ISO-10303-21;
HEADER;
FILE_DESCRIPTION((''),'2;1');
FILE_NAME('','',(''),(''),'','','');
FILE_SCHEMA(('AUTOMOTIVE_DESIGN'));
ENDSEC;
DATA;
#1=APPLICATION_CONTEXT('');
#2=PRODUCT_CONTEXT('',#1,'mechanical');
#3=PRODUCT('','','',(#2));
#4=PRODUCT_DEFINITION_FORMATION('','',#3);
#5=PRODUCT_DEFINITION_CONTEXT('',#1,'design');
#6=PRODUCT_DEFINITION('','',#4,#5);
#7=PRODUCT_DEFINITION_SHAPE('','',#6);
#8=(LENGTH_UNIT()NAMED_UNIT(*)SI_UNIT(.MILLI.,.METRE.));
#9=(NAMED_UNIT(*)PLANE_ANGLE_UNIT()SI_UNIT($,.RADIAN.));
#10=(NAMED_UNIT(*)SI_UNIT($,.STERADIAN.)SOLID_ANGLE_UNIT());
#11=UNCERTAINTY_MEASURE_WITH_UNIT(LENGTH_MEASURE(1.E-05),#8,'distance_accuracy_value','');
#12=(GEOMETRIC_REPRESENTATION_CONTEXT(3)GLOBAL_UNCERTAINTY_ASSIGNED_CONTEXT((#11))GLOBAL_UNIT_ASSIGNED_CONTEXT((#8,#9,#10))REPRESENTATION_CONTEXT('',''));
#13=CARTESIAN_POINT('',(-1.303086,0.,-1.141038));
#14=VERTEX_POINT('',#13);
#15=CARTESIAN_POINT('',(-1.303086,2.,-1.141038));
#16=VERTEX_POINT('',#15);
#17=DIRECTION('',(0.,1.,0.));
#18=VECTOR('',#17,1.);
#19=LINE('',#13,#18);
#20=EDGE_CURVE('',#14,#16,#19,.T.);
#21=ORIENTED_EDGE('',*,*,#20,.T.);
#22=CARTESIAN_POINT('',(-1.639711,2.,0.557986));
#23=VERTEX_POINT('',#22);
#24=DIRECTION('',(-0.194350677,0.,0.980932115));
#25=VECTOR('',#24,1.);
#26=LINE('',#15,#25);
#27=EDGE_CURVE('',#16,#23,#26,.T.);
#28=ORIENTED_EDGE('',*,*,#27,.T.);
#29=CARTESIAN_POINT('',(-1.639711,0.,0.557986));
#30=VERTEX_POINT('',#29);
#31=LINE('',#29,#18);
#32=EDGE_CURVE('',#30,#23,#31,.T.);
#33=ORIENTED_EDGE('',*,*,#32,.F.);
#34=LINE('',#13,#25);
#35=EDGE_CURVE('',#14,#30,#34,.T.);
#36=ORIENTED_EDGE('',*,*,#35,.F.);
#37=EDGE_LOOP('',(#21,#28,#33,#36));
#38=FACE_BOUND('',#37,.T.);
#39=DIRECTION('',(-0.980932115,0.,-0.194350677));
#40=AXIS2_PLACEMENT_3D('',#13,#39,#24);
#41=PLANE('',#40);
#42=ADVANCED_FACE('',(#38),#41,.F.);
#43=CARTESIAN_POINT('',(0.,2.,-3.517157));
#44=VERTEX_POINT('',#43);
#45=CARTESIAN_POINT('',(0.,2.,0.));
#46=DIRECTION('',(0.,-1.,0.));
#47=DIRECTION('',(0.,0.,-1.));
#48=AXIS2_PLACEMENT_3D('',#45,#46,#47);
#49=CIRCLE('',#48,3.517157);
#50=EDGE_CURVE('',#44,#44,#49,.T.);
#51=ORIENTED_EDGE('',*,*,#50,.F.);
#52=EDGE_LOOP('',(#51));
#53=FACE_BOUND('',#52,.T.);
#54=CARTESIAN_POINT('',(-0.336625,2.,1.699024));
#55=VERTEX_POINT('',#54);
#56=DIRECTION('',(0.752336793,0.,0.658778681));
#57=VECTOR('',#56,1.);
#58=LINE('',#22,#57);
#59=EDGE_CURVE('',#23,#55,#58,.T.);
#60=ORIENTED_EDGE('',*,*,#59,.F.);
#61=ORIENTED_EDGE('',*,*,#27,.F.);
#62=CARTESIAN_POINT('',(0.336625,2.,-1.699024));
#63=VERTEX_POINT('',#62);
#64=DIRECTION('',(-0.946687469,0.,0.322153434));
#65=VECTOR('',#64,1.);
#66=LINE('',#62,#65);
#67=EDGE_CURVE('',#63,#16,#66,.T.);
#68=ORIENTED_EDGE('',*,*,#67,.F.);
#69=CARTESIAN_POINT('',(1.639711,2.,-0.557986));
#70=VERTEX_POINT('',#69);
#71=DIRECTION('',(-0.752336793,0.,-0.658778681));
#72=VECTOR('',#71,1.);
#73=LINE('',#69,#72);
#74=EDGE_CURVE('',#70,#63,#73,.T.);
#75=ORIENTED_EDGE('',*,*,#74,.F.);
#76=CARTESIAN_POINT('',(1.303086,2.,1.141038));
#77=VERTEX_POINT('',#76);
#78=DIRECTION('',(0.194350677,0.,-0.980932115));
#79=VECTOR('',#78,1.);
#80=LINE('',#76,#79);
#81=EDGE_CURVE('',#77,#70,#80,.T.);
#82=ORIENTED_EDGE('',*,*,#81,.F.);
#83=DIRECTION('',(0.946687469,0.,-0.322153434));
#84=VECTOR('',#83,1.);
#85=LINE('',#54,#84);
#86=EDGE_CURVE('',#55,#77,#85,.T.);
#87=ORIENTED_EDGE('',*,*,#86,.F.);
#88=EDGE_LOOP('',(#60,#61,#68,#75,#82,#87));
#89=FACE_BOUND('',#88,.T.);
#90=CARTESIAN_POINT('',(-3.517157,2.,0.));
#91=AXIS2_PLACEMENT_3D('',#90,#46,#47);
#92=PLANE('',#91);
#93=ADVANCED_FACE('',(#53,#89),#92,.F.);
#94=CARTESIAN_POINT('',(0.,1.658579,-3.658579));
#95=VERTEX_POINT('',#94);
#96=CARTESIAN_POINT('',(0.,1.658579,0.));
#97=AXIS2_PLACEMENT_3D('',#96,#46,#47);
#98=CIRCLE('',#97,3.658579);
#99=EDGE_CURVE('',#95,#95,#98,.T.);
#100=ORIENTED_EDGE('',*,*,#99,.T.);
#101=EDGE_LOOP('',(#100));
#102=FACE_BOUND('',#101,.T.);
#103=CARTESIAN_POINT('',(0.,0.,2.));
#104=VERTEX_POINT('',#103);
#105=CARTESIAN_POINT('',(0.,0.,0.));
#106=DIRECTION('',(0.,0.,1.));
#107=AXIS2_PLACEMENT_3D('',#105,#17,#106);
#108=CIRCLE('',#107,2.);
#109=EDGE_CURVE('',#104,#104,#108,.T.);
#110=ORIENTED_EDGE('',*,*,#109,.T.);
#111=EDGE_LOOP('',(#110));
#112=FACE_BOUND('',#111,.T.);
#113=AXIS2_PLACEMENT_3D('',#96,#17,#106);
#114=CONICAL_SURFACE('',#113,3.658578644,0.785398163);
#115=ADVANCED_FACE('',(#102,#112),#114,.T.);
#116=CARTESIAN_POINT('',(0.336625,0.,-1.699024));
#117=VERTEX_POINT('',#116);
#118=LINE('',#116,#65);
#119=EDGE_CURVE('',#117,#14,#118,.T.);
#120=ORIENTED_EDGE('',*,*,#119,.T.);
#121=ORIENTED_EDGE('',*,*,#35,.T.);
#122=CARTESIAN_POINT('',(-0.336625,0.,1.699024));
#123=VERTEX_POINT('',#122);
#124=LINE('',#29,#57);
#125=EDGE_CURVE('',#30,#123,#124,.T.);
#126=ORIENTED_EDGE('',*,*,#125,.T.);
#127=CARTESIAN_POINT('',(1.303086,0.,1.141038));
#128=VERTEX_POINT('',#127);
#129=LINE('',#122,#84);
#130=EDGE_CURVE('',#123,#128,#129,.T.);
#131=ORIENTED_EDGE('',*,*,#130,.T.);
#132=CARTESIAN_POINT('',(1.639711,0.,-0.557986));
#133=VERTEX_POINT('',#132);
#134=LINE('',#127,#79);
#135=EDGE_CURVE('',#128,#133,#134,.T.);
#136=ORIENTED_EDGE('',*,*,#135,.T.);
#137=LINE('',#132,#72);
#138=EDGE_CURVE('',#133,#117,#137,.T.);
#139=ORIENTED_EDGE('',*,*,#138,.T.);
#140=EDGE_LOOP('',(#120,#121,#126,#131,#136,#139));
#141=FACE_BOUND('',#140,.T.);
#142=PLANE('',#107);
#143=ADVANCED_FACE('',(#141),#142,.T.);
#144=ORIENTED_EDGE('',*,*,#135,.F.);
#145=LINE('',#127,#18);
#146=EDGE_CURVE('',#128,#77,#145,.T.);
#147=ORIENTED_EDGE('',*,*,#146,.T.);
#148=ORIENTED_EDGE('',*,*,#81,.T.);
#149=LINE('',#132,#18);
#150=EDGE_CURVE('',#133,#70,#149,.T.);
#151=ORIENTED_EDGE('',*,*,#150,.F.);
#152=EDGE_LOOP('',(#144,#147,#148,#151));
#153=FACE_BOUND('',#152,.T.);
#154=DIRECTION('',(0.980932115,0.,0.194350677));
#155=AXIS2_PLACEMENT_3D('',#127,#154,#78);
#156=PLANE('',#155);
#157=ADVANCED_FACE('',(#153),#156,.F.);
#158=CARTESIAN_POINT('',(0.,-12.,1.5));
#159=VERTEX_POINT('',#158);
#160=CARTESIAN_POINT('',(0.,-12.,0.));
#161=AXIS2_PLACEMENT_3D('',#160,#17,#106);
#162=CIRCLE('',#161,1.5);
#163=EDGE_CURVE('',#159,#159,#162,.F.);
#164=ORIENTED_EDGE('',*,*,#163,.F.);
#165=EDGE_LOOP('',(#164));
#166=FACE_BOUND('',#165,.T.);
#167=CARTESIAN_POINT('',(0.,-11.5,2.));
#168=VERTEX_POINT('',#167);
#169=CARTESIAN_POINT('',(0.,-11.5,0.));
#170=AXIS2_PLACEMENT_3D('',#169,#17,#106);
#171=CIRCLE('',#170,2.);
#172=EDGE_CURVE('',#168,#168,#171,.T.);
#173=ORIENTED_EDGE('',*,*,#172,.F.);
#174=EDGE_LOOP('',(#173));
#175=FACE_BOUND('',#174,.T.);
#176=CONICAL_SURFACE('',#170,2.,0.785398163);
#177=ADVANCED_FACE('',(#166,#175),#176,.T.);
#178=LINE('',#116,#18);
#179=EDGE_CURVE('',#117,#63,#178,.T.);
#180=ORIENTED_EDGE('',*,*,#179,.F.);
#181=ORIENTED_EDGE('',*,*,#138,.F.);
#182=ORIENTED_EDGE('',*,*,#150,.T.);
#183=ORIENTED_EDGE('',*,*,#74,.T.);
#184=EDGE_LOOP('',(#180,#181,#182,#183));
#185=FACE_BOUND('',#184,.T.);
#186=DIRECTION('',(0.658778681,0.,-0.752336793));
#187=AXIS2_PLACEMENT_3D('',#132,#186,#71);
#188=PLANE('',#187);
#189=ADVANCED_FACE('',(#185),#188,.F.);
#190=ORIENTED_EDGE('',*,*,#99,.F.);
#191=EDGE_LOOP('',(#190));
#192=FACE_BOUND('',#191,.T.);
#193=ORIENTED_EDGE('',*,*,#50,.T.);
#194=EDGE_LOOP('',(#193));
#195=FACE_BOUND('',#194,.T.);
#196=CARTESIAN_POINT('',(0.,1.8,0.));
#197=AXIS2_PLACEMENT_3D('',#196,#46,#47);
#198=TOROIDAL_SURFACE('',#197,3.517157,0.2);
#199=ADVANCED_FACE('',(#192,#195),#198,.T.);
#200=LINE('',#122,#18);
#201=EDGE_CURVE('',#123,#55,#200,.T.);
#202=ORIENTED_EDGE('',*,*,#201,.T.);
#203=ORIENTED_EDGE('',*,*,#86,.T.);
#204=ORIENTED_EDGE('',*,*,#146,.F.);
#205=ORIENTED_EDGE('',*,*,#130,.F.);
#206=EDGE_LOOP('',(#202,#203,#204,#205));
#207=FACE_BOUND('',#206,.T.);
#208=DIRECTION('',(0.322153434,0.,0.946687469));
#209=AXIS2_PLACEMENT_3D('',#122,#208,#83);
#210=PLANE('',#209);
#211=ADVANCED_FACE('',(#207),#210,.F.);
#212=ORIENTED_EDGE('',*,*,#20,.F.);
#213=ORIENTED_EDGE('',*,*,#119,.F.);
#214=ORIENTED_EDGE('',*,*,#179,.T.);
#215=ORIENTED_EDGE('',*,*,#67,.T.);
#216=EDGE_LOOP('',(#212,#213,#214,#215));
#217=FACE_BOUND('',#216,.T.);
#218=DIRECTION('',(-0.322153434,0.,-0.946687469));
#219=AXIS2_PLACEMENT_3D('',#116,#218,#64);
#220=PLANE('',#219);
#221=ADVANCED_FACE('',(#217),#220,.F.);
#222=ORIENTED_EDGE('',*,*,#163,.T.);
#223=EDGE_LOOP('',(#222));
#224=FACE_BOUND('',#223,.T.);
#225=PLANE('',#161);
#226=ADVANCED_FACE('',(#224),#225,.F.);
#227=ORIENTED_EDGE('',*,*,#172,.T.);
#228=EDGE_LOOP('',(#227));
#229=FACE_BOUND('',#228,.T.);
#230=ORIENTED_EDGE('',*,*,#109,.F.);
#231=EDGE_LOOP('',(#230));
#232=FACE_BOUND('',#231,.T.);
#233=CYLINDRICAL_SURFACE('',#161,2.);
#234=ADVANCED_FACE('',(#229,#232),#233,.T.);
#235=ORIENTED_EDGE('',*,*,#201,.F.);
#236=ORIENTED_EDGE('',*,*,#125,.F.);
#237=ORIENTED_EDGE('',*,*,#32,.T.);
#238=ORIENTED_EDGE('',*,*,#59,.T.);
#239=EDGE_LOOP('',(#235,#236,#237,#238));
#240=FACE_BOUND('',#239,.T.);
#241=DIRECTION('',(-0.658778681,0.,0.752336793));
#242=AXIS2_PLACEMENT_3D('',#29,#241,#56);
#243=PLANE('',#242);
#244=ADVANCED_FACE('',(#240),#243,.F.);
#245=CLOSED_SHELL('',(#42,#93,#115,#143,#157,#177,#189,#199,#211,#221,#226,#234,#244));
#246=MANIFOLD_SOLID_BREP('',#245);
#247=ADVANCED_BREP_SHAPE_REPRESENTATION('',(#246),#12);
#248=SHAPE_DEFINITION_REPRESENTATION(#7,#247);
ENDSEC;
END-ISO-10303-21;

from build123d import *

# Parameters (mm, degrees)
SKETCH1_R           = 2
BOSS_EXTRUDE3_DEPTH = 12
CHAMFER2_SIZE       = 0.5
CUT_EXTRUDE1_DEPTH  = 2


with BuildPart() as part:
    # Sketch1 → Boss-Extrude3 (new body)
    with BuildSketch(Plane(origin=(0, 0, 0), x_dir=(1, 0, 0), z_dir=(0, 1, 0))):
        Circle(SKETCH1_R)
    extrude(amount=-BOSS_EXTRUDE3_DEPTH)

    # Sketch3 → Revolve2 (revolve)
    with BuildSketch(Plane.XY):
        with BuildLine():
            Line((-2, 0), (0, 0))
            Line((0, 0), (0, 2))
            Line((0, 2), (-3.517157288, 2))
            ThreePointArc((-3.517157288, 2), (-3.701933194, 1.876536686), (-3.658578644, 1.658578644))
            Line((-3.658578644, 1.658578644), (-2, 0))
        make_face()
    revolve(axis=Axis((0, -2, 0), (0, 1, 0)))

    # Chamfer2
    chamfer2_edges = [part.edges().sort_by_distance(p)[0] for p in [
        (-2, -12, 0),
    ]]
    chamfer(chamfer2_edges, length=CHAMFER2_SIZE)

    # Sketch4 → Cut-Extrude1 (cut)
    with BuildSketch(Plane(origin=(0, 2, 0), x_dir=(1, 0, 0), z_dir=(0, 1, 0))):
        Polygon((1.303085549, -1.141038146), (1.639710796, 0.557986116), (0.336625247, 1.699024262), (-1.303085549, 1.141038146), (-1.639710796, -0.557986116), (-0.336625247, -1.699024262), align=None)
    extrude(amount=-CUT_EXTRUDE1_DEPTH, mode=Mode.SUBTRACT)


solid = part.part
